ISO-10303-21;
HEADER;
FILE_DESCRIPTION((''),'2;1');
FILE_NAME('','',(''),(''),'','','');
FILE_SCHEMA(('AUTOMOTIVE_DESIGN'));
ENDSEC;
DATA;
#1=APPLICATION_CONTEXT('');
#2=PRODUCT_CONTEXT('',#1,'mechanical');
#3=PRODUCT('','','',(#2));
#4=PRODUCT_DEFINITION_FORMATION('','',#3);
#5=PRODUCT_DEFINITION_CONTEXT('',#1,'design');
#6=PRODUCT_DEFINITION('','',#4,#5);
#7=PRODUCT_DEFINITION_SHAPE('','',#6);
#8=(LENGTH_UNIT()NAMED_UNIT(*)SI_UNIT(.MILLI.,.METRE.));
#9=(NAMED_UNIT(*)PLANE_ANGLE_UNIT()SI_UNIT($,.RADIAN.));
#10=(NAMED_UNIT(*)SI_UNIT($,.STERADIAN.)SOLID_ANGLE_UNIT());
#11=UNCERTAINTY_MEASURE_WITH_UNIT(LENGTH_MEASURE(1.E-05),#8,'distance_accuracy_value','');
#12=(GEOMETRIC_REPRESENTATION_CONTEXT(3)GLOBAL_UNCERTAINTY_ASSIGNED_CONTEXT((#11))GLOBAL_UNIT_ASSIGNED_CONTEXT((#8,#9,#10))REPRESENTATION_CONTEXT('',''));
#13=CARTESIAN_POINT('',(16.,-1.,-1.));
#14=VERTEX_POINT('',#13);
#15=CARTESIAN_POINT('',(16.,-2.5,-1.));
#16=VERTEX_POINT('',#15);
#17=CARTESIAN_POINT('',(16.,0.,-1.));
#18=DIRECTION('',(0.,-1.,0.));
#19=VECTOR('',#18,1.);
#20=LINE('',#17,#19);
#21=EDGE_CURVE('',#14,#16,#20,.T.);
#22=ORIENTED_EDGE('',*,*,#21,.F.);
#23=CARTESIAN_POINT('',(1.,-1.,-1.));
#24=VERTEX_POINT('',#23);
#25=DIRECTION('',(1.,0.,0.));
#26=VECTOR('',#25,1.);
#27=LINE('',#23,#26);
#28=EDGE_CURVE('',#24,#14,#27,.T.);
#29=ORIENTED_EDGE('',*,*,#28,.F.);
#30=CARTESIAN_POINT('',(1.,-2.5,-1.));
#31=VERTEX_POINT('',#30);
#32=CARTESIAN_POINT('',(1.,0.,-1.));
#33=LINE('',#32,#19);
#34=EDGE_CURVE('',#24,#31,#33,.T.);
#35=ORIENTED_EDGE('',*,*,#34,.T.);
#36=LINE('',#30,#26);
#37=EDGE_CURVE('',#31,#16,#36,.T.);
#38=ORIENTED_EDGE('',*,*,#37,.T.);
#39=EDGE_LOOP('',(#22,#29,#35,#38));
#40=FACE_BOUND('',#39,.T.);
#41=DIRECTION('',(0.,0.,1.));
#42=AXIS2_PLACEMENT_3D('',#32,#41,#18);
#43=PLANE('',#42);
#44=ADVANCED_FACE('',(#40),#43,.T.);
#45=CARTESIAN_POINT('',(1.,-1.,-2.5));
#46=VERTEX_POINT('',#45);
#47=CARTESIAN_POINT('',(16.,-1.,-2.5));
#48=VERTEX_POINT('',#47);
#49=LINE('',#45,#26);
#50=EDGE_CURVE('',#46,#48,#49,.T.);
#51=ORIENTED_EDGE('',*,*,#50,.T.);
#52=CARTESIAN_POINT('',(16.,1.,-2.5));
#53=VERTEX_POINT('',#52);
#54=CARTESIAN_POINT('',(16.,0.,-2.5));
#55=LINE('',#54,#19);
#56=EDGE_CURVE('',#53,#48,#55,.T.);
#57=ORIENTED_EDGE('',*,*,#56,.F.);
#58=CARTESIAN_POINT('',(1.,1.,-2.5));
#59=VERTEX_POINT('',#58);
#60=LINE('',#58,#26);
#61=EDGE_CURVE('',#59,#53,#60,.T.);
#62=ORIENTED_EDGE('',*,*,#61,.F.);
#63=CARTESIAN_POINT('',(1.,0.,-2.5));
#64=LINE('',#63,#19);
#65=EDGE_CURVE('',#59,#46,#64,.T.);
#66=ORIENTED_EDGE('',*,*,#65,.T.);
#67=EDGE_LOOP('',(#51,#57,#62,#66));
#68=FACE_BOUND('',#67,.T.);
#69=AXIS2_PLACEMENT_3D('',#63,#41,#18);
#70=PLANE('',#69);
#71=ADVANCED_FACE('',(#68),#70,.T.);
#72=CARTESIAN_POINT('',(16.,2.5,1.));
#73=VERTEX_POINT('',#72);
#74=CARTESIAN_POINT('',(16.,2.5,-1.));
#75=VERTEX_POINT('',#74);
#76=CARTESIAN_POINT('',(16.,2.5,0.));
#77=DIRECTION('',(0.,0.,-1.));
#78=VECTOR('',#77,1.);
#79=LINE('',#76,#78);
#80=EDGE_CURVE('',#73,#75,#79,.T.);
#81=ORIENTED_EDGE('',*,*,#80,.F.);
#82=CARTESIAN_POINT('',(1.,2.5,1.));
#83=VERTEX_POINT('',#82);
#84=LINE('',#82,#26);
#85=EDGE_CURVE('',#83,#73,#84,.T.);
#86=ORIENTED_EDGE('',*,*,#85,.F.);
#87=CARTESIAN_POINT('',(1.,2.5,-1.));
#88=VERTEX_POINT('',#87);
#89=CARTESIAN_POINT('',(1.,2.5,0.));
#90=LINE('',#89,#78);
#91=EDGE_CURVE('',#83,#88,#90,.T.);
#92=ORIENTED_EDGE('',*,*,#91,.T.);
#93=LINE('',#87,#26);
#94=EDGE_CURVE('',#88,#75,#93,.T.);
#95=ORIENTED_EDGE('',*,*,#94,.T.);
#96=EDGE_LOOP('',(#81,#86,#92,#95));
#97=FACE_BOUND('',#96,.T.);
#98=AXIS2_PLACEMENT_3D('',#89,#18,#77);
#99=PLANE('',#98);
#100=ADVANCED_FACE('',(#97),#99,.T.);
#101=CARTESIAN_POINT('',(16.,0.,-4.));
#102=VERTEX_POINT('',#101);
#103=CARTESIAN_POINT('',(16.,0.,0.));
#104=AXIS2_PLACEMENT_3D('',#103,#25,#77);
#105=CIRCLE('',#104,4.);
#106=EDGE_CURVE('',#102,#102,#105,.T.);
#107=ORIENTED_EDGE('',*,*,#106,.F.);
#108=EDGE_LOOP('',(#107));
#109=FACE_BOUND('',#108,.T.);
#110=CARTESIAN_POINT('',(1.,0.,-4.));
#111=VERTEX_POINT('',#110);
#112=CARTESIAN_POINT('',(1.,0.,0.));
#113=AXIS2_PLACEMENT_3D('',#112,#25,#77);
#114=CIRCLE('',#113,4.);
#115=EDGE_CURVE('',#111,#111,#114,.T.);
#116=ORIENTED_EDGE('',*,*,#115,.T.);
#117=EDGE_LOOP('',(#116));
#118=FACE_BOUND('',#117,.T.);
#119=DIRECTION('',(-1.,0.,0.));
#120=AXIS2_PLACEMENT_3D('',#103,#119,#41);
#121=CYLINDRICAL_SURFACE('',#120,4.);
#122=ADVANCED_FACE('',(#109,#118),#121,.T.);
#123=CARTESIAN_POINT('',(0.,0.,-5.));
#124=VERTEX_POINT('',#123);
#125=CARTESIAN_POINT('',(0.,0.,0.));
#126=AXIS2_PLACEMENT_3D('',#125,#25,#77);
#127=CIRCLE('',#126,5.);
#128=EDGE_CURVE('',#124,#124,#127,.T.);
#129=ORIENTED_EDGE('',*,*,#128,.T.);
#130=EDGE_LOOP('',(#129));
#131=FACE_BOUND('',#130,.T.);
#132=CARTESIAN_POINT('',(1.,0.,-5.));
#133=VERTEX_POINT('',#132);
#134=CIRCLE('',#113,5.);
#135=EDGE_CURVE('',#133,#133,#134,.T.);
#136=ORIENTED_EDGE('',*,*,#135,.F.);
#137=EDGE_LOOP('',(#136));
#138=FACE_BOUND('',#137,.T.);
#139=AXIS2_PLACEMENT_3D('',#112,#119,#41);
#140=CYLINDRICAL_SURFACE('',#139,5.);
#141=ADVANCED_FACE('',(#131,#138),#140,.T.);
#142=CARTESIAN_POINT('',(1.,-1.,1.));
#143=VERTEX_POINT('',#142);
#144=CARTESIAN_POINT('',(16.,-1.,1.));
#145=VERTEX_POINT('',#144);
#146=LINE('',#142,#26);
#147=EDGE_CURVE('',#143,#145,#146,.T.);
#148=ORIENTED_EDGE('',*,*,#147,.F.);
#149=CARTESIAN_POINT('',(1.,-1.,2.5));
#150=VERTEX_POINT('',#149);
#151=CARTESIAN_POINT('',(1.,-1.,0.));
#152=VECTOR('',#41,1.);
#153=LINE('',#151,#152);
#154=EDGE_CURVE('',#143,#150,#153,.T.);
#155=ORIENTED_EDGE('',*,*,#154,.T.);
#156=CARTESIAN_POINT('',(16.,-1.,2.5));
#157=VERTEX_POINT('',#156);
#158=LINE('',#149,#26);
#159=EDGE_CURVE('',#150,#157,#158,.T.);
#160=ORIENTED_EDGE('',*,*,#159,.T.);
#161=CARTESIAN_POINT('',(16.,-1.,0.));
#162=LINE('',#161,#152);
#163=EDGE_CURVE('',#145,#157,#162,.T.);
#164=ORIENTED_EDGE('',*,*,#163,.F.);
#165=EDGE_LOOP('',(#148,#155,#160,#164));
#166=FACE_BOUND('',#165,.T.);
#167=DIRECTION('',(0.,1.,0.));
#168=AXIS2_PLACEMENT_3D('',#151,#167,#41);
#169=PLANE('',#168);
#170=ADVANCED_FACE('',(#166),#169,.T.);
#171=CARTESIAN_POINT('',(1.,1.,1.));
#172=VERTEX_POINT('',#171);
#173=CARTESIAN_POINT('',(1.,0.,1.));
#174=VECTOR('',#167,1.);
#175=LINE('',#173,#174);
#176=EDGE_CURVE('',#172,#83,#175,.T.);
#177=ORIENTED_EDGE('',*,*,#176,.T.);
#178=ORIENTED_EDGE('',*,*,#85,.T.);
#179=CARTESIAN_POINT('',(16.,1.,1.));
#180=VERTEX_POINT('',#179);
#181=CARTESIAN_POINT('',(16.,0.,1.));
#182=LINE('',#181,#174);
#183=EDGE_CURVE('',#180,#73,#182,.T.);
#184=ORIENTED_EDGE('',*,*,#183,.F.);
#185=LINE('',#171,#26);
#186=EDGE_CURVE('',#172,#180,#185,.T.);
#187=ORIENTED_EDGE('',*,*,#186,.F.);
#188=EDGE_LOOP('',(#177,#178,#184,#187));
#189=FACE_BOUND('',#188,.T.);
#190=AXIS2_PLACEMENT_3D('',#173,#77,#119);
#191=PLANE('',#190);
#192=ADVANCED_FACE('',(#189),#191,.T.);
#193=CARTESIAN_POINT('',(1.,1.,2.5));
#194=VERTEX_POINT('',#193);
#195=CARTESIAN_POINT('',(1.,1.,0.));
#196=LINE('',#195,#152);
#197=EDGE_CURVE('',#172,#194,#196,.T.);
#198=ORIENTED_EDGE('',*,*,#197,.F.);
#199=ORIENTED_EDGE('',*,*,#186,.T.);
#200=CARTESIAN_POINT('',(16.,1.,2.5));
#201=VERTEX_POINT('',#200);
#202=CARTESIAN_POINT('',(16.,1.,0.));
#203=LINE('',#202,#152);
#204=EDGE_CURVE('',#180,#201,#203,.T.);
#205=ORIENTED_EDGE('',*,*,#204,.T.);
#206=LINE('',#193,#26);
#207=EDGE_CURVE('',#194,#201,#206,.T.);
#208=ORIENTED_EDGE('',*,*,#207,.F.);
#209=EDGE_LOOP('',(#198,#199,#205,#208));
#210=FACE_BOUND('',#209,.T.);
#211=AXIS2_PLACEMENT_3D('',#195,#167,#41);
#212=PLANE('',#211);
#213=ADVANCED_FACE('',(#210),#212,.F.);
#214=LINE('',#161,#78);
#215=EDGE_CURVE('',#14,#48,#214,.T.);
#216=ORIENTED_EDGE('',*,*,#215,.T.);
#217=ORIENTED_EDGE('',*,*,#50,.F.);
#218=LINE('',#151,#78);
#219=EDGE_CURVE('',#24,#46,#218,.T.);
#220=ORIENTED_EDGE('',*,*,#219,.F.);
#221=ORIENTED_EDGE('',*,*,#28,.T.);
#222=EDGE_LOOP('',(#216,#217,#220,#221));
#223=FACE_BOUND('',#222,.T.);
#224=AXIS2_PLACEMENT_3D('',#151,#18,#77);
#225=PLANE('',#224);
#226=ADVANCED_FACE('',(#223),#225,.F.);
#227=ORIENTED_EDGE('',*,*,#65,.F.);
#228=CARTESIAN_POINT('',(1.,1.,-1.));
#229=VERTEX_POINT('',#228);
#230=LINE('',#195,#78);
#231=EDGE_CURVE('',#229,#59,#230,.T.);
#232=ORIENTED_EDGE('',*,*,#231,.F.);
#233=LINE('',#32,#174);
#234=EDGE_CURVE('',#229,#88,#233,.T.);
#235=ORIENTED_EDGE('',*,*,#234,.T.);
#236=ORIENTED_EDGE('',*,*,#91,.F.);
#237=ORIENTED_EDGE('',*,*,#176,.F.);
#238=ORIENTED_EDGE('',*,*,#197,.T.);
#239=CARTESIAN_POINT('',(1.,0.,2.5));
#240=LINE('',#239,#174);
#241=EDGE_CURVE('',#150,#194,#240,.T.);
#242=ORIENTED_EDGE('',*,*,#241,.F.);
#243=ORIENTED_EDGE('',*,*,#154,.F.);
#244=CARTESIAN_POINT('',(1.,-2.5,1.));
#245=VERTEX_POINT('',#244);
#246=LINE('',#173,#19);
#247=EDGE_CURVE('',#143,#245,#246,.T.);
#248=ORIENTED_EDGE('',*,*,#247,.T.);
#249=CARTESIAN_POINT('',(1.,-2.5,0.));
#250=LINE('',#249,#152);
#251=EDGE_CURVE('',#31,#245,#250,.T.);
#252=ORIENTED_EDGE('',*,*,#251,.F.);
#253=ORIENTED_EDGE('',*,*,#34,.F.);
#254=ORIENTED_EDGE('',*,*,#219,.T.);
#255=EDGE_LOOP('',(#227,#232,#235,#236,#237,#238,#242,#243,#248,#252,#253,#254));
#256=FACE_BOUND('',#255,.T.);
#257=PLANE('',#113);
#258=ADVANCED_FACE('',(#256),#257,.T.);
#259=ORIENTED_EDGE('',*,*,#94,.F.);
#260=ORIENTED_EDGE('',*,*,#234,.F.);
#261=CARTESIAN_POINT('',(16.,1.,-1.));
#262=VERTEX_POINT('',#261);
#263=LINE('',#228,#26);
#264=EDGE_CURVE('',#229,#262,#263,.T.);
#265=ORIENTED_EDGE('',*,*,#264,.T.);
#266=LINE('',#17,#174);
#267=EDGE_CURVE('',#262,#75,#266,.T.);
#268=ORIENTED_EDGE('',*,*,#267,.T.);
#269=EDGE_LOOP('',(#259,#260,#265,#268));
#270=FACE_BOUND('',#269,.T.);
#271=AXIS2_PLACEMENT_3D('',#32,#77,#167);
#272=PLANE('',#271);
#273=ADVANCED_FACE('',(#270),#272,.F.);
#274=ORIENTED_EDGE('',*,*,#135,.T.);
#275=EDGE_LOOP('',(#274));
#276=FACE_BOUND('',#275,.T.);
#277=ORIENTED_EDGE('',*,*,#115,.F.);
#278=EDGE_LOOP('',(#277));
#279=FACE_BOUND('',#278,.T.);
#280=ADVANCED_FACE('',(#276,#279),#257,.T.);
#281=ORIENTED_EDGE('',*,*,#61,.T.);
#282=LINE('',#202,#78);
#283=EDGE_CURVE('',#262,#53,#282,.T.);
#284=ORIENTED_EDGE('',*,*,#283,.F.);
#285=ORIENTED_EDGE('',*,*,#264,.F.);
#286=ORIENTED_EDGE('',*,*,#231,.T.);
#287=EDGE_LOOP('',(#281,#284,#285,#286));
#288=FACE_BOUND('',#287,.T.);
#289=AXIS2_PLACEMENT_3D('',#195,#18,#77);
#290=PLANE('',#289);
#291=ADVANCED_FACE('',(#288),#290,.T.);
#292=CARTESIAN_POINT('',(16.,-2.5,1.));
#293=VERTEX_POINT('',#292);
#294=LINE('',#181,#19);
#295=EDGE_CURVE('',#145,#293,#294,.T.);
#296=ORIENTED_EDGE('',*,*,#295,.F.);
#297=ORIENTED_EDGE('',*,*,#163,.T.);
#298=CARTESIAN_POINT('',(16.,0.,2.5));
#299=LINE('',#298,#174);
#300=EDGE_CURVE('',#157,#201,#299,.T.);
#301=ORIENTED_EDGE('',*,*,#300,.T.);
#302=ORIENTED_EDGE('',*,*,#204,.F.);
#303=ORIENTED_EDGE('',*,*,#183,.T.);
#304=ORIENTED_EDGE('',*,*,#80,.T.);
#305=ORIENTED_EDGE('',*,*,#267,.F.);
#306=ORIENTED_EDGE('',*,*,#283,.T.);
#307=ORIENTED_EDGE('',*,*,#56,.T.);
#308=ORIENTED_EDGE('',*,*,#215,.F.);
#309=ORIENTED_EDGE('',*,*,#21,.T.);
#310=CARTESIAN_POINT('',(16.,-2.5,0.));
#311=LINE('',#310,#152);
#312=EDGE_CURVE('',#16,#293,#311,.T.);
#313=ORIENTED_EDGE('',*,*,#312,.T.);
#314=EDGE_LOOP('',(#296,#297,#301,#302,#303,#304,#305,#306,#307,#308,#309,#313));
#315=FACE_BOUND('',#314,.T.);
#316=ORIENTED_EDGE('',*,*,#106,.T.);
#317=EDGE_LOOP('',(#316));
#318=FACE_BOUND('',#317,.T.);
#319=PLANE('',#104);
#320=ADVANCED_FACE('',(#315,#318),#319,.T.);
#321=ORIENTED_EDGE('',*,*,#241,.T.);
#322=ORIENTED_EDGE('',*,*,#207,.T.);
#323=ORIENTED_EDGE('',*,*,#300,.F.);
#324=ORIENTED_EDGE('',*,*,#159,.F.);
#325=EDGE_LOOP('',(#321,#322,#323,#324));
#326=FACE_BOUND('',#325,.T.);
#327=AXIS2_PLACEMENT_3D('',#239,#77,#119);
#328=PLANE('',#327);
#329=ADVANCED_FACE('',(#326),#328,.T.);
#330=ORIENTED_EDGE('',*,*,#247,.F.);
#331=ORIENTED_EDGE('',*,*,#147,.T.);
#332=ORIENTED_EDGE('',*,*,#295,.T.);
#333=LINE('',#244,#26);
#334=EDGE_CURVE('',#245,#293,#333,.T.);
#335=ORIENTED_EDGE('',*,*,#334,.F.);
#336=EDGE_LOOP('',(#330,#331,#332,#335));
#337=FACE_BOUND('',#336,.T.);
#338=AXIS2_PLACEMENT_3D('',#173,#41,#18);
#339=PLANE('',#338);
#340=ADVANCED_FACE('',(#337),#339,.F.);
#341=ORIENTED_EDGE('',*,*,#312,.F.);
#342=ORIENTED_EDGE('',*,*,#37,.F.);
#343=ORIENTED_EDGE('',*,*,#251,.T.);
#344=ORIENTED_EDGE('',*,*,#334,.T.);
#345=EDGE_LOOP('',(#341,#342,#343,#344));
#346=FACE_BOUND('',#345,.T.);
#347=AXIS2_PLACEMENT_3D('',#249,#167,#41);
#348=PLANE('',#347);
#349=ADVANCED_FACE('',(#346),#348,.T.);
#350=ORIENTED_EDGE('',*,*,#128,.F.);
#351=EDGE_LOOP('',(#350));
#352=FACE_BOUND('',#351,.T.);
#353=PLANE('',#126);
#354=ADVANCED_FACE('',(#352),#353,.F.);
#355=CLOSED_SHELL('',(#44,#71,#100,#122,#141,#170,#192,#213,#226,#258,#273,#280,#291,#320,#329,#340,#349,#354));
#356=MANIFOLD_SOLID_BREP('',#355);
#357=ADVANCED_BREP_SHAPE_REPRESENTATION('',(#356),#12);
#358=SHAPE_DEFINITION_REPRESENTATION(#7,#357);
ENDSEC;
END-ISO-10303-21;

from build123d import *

# Parameters (mm, degrees)
SKETCH1_R           = 5
BOSS_EXTRUDE2_DEPTH = 1
SKETCH2_R           = 4
BOSS_EXTRUDE3_DEPTH = 15
CUT_EXTRUDE1_DEPTH  = 15


with BuildPart() as part:
    # Sketch1 → Boss-Extrude2 (new body)
    with BuildSketch(Plane(origin=(0, 0, 0), x_dir=(0, 0, -1), z_dir=(1, 0, 0))):
        Circle(SKETCH1_R)
    extrude(amount=BOSS_EXTRUDE2_DEPTH)

    # Sketch2 → Boss-Extrude3 (add)
    with BuildSketch(Plane(origin=(1, 0, 0), x_dir=(0, 0, -1), z_dir=(1, 0, 0))):
        Circle(SKETCH2_R)
    extrude(amount=BOSS_EXTRUDE3_DEPTH)

    # Sketch4 → Cut-Extrude1 (cut)
    with BuildSketch(Plane(origin=(16, 0, 0), x_dir=(0, 0, -1), z_dir=(1, 0, 0))):
        Polygon((1, 2.5), (0, 2.5), (-1, 2.5), (-1, 1), (0, 1), (1, 1), align=None)
        Polygon((0, 1), (-1, 1), (-1, 0), (-1, -1), (-0.604082815, -1), (1, -1), (1, 0), (1, 1), align=None)
        Polygon((2.5, 1), (1, 1), (1, 0), (1, -1), (2.5, -1), (2.5, 0), align=None)
        Polygon((-1, 0), (-1, 1), (-2.5, 1), (-2.5, 0), (-2.5, -1), (-1, -1), align=None)
        Polygon((-0.604082815, -1), (-1, -1), (-1, -2.5), (-0.604082815, -2.5), (1, -2.5), (1, -1), align=None)
    extrude(amount=-CUT_EXTRUDE1_DEPTH, mode=Mode.SUBTRACT)


solid = part.part
